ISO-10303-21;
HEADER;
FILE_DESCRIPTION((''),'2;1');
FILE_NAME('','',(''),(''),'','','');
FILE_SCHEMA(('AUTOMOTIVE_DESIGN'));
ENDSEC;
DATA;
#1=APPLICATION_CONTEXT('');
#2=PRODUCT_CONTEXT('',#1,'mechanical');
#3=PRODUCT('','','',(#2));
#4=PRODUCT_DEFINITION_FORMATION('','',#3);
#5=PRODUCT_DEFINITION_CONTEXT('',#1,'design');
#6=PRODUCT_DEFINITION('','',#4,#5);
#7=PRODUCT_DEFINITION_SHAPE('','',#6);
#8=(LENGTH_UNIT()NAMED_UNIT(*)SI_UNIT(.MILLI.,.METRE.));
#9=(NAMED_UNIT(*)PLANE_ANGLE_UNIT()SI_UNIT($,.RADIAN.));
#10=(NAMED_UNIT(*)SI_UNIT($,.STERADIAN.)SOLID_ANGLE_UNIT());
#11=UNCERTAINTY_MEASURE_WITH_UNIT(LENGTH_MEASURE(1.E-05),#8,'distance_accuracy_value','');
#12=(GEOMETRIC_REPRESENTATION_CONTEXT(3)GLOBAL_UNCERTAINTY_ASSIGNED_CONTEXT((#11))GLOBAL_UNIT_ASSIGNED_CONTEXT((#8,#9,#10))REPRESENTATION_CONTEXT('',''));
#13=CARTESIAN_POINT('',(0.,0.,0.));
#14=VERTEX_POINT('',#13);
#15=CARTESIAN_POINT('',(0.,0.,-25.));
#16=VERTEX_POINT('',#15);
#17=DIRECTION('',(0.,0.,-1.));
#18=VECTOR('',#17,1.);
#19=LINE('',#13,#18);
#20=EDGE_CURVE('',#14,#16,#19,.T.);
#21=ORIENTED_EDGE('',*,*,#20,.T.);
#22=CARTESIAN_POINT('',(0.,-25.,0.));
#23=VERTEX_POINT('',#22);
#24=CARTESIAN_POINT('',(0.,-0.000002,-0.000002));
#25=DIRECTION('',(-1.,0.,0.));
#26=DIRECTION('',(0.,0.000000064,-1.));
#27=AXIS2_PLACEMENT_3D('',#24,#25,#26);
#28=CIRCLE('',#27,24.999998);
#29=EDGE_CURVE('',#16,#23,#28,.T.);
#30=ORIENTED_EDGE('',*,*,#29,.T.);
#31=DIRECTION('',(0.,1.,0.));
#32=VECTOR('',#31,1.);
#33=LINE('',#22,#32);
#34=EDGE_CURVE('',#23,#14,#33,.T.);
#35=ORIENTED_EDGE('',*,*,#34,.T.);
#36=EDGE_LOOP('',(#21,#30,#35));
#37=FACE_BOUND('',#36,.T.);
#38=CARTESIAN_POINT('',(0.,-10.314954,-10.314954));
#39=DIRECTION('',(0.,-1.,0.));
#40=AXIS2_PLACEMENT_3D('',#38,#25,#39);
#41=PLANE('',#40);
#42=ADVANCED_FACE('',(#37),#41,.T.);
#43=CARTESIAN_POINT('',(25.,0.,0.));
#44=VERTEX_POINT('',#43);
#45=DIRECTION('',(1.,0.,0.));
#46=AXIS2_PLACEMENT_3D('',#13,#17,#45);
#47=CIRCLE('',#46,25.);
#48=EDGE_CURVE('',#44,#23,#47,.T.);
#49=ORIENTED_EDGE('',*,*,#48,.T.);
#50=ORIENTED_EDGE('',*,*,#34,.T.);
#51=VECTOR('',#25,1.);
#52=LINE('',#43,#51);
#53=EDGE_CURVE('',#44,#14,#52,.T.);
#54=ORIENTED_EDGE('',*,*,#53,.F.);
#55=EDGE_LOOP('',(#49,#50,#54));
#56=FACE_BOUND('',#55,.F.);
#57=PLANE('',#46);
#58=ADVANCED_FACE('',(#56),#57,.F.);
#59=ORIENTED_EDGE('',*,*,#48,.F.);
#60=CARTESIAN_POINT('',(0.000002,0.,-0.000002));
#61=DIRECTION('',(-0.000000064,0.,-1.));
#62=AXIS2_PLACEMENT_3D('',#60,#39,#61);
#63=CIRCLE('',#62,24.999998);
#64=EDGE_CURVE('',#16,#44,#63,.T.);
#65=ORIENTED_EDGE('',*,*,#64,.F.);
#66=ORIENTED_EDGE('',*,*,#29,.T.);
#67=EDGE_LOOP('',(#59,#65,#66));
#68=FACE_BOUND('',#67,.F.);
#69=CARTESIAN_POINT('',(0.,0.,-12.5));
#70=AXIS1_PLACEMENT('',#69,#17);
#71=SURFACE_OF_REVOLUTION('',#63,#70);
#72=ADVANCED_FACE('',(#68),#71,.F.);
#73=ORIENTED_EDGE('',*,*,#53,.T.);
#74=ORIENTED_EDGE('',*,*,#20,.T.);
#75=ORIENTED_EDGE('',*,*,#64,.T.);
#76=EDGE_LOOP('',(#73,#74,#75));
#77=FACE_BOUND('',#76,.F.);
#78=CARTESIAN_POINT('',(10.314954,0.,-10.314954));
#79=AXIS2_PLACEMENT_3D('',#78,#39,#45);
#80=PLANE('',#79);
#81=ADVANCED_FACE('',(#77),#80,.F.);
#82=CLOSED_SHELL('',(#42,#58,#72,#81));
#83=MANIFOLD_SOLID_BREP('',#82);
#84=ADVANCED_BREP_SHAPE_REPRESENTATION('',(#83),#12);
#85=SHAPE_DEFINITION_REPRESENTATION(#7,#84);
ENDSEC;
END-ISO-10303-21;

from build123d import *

# Parameters (mm, degrees)
F1_ANGLE = 90


with BuildPart() as f1:
    # F0 (on Front) → F1 (revolve)
    with BuildSketch(Plane.XZ):
        with BuildLine():
            Line((0, 0), (0, -25))
            ThreePointArc((0, -25), (17.67767, -17.67767), (25, 0))
            Line((25, 0), (0, 0))
        make_face()
    revolve(axis=Axis((0, 0, -12.5), (0, 0, -1)), revolution_arc=F1_ANGLE)


solid = f1.part
